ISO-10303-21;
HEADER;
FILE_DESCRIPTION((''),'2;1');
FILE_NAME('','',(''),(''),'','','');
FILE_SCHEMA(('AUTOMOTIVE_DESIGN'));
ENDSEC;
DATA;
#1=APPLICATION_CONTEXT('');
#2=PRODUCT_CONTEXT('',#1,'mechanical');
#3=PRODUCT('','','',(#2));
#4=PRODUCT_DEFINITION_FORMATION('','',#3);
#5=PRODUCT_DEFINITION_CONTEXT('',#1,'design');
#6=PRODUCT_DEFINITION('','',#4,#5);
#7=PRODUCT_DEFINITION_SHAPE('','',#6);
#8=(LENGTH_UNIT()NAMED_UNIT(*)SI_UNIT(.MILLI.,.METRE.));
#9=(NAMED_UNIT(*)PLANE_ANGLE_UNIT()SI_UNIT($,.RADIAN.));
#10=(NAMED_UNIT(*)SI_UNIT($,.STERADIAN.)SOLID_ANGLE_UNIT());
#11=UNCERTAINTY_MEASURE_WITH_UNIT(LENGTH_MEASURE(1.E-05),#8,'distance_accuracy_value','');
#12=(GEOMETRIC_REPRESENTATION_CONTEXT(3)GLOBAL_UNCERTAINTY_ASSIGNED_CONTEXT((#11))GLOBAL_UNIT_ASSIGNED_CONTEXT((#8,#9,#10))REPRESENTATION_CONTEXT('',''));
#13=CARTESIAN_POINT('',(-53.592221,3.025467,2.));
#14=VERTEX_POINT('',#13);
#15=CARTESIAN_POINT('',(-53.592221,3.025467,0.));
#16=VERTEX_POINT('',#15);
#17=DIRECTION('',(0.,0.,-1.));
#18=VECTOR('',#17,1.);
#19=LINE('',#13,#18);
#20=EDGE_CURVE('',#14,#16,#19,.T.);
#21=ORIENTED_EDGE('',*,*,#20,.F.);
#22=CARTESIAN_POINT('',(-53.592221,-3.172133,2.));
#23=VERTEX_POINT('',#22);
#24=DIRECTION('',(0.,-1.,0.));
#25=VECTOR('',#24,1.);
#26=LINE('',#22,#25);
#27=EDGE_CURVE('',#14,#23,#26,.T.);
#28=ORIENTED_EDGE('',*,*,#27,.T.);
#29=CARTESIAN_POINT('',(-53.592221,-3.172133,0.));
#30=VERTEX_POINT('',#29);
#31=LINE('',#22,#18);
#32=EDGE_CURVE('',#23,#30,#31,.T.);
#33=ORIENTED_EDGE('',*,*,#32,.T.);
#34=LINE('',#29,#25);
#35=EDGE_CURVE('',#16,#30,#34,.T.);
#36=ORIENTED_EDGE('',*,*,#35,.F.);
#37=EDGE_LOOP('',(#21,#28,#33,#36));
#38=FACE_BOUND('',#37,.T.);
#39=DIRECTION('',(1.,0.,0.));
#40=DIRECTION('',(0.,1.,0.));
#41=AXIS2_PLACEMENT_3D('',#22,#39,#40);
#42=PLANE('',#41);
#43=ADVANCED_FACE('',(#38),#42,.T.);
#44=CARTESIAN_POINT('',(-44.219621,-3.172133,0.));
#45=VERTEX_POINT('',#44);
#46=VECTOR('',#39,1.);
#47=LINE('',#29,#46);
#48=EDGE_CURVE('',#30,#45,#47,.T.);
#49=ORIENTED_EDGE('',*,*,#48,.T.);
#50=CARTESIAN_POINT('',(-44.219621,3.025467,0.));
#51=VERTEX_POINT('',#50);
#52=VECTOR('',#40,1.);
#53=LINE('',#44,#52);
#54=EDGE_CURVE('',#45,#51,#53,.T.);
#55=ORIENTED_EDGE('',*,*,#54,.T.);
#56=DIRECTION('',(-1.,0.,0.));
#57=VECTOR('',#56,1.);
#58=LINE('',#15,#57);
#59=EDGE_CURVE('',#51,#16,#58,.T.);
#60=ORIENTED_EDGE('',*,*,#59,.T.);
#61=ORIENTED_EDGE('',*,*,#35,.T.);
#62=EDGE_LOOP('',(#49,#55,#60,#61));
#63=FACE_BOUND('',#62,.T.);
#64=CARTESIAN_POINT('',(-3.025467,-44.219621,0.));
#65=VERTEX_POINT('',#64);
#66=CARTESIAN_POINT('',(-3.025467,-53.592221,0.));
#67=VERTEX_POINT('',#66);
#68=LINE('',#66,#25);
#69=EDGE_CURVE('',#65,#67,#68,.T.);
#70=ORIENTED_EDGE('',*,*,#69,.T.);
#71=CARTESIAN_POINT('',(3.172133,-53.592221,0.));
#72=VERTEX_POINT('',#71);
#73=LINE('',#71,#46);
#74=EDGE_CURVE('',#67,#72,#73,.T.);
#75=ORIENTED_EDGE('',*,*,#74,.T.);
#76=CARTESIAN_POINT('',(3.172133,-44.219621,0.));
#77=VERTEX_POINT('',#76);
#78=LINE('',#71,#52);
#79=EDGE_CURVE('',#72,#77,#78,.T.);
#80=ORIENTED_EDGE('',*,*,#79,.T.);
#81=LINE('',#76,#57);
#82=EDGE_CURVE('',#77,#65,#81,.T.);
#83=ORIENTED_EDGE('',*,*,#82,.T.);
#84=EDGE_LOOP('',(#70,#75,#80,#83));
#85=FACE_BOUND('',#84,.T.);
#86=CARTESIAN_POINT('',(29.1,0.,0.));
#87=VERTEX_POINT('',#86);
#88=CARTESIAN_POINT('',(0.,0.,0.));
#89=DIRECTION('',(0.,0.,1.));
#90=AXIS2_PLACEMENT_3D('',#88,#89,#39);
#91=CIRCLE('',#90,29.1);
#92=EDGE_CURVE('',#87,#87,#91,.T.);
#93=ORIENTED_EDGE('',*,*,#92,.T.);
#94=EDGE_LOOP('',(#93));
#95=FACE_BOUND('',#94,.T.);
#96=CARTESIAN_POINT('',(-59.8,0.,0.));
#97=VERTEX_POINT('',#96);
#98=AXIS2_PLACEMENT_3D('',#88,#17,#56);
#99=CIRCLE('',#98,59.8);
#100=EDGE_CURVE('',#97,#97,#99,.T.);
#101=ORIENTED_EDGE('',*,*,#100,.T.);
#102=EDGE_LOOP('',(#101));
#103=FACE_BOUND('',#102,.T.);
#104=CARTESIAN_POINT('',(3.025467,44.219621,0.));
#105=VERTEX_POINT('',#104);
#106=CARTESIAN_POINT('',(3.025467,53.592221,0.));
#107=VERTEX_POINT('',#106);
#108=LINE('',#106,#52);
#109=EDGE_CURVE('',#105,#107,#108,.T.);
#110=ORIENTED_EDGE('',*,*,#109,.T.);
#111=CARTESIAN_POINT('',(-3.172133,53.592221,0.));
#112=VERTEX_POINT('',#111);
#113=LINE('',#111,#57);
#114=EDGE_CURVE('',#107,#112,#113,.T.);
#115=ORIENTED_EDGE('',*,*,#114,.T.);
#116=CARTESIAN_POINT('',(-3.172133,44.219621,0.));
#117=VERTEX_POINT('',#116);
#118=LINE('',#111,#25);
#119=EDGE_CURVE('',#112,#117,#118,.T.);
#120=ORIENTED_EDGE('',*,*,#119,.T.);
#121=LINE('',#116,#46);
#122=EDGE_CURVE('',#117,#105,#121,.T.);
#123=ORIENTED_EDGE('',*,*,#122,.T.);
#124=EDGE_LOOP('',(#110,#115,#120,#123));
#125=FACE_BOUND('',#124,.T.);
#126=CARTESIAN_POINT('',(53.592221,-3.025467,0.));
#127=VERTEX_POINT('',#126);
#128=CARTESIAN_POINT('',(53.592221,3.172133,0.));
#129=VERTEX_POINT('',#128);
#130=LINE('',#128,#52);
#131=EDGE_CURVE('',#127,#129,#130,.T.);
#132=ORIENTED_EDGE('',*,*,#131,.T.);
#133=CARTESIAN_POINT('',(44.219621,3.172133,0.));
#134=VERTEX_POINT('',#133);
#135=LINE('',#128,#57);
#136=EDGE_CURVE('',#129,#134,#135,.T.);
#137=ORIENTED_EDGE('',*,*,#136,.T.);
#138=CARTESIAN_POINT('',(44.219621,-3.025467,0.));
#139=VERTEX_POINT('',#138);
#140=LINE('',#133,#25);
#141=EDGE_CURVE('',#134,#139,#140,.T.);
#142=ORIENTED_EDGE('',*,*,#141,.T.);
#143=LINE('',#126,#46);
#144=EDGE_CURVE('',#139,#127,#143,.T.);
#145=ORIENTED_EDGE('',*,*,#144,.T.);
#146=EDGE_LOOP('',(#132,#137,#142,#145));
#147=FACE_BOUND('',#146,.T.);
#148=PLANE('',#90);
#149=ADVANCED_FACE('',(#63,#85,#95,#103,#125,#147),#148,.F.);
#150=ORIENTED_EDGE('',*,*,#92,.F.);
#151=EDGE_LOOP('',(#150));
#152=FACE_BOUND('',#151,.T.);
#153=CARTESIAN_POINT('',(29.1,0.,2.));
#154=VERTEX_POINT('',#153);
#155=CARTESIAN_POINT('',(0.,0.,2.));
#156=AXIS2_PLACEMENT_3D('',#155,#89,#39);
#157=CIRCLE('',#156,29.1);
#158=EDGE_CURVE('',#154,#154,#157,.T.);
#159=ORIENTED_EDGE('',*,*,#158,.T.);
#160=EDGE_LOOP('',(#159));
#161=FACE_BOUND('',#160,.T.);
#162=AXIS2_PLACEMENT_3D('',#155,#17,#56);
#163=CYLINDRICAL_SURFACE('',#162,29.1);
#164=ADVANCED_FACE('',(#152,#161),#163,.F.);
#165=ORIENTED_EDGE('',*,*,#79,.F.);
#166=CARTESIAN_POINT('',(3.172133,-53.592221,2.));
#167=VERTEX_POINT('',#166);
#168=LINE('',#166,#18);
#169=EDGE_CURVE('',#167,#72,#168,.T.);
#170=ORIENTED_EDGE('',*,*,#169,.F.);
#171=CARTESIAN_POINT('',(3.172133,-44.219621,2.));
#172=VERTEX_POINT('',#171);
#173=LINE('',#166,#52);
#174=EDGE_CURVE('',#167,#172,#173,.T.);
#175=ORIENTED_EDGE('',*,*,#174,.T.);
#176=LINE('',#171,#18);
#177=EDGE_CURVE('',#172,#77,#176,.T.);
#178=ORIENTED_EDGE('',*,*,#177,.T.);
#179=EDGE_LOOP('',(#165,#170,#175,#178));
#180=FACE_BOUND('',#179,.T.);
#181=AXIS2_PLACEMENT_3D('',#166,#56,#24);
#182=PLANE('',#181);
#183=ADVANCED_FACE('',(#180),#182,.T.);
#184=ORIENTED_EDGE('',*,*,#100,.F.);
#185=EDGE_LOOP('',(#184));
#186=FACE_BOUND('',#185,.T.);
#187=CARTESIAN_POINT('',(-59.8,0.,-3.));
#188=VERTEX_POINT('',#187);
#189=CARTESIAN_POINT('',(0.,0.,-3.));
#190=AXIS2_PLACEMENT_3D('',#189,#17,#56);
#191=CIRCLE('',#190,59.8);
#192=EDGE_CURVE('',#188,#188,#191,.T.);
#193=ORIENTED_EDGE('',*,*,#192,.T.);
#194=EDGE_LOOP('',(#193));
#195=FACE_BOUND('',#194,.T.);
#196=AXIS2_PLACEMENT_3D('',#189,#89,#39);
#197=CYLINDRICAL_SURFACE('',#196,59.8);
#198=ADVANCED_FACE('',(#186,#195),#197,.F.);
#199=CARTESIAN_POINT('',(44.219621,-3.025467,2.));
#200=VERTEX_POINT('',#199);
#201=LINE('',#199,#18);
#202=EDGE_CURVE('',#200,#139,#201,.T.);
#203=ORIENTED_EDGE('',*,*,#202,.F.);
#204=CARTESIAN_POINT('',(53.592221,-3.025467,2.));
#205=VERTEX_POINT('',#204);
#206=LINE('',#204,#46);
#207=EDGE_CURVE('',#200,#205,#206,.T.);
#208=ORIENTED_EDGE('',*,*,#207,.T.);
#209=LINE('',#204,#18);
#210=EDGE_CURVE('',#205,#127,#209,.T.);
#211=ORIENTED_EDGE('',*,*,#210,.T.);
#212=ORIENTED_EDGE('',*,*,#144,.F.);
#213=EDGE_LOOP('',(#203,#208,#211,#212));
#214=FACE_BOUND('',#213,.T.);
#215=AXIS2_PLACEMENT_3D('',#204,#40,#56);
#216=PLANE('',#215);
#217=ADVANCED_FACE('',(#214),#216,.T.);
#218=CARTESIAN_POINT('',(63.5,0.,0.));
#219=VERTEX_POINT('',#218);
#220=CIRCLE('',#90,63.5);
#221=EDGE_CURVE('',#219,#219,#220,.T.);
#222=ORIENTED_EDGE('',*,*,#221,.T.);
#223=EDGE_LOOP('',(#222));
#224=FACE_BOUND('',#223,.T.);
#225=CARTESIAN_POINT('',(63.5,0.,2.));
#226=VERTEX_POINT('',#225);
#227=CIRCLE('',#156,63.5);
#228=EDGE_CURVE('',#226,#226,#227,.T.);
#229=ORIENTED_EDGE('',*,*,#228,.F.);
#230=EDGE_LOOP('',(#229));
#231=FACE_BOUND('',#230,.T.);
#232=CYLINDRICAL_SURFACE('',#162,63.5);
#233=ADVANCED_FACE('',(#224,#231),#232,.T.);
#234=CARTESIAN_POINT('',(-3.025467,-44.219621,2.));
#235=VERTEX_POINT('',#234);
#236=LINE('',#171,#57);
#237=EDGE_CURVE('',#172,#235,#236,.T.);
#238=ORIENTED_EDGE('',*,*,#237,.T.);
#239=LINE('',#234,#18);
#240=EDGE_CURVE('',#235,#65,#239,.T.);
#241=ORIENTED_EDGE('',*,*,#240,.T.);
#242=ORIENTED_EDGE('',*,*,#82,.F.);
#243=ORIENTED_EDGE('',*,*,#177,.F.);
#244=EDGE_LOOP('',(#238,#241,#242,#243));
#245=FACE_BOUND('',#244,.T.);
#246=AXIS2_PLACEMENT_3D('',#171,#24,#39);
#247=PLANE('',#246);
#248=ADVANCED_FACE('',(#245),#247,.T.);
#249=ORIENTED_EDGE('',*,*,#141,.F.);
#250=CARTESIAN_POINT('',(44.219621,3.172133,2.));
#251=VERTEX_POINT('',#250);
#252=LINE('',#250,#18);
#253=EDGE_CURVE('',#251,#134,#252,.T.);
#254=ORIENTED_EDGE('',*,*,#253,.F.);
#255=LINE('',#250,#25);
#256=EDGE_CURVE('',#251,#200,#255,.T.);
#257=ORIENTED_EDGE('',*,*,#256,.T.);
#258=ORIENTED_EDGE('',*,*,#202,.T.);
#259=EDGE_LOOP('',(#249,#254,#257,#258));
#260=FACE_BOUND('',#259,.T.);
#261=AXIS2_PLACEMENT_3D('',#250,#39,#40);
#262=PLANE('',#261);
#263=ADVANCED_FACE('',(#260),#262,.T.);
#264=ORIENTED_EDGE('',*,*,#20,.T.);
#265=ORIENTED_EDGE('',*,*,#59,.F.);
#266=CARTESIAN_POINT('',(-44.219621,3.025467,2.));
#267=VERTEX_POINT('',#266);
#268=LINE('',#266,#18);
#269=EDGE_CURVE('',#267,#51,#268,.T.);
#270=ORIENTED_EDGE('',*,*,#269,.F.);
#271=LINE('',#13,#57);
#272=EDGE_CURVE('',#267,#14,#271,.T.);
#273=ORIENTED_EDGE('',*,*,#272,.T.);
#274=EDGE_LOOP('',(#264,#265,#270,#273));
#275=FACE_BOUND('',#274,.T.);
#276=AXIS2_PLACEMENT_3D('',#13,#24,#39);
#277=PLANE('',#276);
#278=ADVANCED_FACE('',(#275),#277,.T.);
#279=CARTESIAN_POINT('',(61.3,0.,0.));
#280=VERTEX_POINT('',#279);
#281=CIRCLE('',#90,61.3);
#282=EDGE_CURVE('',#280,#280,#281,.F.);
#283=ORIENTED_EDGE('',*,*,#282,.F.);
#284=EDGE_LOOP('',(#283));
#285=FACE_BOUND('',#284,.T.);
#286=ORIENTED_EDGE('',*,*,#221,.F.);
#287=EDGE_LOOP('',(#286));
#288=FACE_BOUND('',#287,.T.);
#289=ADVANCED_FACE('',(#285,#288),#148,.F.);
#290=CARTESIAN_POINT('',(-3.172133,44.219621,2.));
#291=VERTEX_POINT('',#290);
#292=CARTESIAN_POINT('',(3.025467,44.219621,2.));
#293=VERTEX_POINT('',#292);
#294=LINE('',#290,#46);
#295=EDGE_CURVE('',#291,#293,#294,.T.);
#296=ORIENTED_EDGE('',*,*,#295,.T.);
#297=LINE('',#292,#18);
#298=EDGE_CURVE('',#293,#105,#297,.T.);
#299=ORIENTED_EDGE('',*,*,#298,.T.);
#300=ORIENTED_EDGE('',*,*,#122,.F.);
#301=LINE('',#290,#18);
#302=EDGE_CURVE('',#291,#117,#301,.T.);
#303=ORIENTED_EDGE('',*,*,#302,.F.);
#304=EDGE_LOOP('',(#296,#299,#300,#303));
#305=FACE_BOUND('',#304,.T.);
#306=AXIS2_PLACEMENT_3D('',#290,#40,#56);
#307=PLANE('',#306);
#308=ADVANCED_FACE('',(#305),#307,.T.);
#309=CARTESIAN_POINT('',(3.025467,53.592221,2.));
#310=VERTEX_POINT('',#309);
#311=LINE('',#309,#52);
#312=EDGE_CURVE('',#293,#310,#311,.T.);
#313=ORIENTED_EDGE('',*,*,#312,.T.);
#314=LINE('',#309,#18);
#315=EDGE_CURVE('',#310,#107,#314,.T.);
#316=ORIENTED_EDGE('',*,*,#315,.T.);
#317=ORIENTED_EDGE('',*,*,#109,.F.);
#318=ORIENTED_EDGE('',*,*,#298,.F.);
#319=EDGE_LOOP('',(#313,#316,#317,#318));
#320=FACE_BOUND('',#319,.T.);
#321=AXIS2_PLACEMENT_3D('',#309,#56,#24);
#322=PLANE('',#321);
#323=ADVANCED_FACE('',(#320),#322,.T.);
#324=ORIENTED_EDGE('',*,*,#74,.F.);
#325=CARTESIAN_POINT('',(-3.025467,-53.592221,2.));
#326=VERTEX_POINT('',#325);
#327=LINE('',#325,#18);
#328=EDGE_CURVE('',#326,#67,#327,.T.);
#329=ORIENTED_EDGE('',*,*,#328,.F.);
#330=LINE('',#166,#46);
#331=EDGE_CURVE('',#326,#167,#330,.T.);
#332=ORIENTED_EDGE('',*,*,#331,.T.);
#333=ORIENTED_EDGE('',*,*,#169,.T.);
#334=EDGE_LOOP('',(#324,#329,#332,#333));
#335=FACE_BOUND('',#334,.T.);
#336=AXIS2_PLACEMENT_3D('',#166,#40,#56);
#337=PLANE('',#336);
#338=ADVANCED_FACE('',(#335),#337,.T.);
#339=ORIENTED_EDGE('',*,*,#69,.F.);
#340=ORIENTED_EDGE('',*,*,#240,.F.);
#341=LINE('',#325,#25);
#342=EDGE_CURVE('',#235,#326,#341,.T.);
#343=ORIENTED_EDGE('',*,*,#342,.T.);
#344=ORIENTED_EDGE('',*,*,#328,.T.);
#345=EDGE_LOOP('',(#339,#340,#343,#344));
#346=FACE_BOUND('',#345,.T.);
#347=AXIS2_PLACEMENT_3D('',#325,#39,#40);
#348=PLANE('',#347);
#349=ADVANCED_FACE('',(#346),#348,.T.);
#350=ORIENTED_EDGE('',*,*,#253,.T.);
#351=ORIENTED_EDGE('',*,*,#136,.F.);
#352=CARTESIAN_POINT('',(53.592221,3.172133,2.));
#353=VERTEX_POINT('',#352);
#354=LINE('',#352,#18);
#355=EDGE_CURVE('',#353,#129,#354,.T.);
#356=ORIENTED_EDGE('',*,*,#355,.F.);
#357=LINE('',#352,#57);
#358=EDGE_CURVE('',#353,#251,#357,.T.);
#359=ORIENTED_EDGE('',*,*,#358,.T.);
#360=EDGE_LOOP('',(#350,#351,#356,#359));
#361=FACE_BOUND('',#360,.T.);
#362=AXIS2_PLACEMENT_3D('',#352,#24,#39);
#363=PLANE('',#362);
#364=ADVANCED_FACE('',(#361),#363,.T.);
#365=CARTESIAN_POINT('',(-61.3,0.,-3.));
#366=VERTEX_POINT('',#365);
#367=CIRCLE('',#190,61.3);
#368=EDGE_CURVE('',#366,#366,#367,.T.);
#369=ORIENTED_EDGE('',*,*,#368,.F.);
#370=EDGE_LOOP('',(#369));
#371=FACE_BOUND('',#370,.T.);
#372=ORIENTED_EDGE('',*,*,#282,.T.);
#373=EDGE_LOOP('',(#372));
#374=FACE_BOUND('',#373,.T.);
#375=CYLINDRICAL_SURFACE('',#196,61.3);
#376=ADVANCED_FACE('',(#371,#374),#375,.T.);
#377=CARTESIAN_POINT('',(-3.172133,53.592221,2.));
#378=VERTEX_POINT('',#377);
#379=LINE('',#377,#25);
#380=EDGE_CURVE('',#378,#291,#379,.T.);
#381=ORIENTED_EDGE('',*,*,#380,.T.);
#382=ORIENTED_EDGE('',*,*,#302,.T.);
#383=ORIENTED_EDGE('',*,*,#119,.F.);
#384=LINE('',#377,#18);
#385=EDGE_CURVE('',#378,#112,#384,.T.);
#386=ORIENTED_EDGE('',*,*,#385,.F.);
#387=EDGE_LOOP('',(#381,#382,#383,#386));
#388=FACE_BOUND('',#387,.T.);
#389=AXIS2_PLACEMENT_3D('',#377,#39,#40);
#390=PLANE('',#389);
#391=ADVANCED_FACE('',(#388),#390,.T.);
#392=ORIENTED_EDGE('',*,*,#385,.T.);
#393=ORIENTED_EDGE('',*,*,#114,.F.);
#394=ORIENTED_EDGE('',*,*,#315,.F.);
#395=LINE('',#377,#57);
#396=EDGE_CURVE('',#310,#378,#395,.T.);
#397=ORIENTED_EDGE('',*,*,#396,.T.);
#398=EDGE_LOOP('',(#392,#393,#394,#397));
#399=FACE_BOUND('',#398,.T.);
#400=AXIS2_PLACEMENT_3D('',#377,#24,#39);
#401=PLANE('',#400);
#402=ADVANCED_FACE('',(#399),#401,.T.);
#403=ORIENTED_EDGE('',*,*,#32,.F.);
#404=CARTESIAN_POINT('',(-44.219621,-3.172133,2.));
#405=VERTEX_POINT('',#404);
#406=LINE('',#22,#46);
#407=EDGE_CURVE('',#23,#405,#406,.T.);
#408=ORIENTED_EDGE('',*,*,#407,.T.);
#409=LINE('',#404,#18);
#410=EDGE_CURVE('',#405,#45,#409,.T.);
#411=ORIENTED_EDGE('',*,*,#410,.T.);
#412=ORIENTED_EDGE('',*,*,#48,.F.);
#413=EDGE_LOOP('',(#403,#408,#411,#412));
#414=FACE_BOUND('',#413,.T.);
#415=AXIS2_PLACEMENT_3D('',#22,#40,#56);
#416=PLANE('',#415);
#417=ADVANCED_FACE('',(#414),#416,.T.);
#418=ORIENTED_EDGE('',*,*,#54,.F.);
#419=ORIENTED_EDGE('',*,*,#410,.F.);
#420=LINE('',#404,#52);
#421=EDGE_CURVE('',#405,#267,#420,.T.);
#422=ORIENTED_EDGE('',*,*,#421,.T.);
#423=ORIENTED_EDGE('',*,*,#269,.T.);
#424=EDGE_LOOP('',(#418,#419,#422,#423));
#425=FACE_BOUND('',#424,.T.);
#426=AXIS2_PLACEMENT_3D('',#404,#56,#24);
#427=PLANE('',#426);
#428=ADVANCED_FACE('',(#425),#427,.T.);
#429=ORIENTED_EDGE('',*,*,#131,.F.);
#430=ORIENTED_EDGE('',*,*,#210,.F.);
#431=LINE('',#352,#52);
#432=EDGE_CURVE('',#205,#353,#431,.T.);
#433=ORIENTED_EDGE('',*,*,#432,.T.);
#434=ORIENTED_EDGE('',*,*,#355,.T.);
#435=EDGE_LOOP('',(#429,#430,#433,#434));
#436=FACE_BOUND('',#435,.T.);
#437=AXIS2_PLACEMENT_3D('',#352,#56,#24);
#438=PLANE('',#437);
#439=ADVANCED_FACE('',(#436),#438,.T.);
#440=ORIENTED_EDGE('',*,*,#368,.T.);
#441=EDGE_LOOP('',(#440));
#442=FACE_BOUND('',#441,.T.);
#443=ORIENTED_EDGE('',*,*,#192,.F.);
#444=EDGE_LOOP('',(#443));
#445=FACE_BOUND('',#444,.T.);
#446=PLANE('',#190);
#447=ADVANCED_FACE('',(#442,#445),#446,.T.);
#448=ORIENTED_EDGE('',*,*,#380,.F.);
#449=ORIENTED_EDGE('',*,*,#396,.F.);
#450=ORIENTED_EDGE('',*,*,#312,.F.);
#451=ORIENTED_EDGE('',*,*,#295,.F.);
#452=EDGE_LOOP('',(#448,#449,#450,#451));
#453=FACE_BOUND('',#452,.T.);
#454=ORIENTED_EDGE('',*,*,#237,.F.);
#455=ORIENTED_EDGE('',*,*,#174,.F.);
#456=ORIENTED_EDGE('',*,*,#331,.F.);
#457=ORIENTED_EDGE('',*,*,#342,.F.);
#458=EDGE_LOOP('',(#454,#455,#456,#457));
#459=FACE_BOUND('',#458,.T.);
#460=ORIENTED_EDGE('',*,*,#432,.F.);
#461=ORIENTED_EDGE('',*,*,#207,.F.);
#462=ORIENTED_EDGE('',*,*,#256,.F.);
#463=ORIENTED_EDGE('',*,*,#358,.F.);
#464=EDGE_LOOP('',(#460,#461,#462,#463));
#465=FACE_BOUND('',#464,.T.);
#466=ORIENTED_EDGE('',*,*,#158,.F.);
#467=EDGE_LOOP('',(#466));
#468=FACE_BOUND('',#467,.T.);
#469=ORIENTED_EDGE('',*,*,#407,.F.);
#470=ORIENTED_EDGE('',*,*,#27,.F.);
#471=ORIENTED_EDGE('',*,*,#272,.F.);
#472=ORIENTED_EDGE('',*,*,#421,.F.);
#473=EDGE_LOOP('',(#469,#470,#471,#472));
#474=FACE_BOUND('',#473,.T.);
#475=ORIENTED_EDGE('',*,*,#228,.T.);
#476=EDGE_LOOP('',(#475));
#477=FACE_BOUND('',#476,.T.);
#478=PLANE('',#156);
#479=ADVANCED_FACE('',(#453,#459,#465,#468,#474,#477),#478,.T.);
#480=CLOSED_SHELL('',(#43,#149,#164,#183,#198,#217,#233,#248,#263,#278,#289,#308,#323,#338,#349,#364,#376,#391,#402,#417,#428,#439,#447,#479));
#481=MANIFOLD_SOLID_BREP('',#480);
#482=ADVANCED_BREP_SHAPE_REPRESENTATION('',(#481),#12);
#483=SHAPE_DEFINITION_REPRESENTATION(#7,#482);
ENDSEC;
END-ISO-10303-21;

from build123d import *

# Parameters (mm, degrees)
SKETCH1_R           = 63.5
SKETCH1_R_2         = 29.1
SKETCH1_W           = 9.3726
SKETCH1_H           = 6.1976
SKETCH1_W_2         = 6.1976
SKETCH1_H_2         = 9.3726
BOSS_EXTRUDE1_DEPTH = 2
SKETCH2_R           = 61.3
SKETCH2_R_2         = 59.8
BOSS_EXTRUDE2_DEPTH = 3


with BuildPart() as part:
    # Sketch1 → Boss-Extrude1 (new body)
    with BuildSketch(Plane(origin=(0, 0, 0), x_dir=(0, 1, 0), z_dir=(0, 0, 1))):
        with Locations(Location((0, 0, 0), (0, 0, 270))):
            Circle(SKETCH1_R)
        with Locations(Location((0, 0, 0), (0, 0, 270))):
            Circle(SKETCH1_R_2, mode=Mode.SUBTRACT)
        with Locations((48.905920984, 0.073333248)):
            Rectangle(SKETCH1_W, SKETCH1_H, mode=Mode.SUBTRACT)
        with Locations((-0.073333248, 48.905920984)):
            Rectangle(SKETCH1_W_2, SKETCH1_H_2, mode=Mode.SUBTRACT)
        with Locations((0.073333248, -48.905920984)):
            Rectangle(SKETCH1_W_2, SKETCH1_H_2, mode=Mode.SUBTRACT)
        with Locations((-48.905920984, -0.073333248)):
            Rectangle(SKETCH1_W, SKETCH1_H, mode=Mode.SUBTRACT)
    extrude(amount=BOSS_EXTRUDE1_DEPTH)

    # Sketch2 → Boss-Extrude2 (add)
    with BuildSketch(Plane(origin=(0, 0, 0), x_dir=(1, 0, 0), z_dir=(0, 0, -1))):
        Circle(SKETCH2_R)
        with Locations(Location((0, 0, 0), (0, 0, 180))):
            Circle(SKETCH2_R_2, mode=Mode.SUBTRACT)
    extrude(amount=BOSS_EXTRUDE2_DEPTH)


solid = part.part
